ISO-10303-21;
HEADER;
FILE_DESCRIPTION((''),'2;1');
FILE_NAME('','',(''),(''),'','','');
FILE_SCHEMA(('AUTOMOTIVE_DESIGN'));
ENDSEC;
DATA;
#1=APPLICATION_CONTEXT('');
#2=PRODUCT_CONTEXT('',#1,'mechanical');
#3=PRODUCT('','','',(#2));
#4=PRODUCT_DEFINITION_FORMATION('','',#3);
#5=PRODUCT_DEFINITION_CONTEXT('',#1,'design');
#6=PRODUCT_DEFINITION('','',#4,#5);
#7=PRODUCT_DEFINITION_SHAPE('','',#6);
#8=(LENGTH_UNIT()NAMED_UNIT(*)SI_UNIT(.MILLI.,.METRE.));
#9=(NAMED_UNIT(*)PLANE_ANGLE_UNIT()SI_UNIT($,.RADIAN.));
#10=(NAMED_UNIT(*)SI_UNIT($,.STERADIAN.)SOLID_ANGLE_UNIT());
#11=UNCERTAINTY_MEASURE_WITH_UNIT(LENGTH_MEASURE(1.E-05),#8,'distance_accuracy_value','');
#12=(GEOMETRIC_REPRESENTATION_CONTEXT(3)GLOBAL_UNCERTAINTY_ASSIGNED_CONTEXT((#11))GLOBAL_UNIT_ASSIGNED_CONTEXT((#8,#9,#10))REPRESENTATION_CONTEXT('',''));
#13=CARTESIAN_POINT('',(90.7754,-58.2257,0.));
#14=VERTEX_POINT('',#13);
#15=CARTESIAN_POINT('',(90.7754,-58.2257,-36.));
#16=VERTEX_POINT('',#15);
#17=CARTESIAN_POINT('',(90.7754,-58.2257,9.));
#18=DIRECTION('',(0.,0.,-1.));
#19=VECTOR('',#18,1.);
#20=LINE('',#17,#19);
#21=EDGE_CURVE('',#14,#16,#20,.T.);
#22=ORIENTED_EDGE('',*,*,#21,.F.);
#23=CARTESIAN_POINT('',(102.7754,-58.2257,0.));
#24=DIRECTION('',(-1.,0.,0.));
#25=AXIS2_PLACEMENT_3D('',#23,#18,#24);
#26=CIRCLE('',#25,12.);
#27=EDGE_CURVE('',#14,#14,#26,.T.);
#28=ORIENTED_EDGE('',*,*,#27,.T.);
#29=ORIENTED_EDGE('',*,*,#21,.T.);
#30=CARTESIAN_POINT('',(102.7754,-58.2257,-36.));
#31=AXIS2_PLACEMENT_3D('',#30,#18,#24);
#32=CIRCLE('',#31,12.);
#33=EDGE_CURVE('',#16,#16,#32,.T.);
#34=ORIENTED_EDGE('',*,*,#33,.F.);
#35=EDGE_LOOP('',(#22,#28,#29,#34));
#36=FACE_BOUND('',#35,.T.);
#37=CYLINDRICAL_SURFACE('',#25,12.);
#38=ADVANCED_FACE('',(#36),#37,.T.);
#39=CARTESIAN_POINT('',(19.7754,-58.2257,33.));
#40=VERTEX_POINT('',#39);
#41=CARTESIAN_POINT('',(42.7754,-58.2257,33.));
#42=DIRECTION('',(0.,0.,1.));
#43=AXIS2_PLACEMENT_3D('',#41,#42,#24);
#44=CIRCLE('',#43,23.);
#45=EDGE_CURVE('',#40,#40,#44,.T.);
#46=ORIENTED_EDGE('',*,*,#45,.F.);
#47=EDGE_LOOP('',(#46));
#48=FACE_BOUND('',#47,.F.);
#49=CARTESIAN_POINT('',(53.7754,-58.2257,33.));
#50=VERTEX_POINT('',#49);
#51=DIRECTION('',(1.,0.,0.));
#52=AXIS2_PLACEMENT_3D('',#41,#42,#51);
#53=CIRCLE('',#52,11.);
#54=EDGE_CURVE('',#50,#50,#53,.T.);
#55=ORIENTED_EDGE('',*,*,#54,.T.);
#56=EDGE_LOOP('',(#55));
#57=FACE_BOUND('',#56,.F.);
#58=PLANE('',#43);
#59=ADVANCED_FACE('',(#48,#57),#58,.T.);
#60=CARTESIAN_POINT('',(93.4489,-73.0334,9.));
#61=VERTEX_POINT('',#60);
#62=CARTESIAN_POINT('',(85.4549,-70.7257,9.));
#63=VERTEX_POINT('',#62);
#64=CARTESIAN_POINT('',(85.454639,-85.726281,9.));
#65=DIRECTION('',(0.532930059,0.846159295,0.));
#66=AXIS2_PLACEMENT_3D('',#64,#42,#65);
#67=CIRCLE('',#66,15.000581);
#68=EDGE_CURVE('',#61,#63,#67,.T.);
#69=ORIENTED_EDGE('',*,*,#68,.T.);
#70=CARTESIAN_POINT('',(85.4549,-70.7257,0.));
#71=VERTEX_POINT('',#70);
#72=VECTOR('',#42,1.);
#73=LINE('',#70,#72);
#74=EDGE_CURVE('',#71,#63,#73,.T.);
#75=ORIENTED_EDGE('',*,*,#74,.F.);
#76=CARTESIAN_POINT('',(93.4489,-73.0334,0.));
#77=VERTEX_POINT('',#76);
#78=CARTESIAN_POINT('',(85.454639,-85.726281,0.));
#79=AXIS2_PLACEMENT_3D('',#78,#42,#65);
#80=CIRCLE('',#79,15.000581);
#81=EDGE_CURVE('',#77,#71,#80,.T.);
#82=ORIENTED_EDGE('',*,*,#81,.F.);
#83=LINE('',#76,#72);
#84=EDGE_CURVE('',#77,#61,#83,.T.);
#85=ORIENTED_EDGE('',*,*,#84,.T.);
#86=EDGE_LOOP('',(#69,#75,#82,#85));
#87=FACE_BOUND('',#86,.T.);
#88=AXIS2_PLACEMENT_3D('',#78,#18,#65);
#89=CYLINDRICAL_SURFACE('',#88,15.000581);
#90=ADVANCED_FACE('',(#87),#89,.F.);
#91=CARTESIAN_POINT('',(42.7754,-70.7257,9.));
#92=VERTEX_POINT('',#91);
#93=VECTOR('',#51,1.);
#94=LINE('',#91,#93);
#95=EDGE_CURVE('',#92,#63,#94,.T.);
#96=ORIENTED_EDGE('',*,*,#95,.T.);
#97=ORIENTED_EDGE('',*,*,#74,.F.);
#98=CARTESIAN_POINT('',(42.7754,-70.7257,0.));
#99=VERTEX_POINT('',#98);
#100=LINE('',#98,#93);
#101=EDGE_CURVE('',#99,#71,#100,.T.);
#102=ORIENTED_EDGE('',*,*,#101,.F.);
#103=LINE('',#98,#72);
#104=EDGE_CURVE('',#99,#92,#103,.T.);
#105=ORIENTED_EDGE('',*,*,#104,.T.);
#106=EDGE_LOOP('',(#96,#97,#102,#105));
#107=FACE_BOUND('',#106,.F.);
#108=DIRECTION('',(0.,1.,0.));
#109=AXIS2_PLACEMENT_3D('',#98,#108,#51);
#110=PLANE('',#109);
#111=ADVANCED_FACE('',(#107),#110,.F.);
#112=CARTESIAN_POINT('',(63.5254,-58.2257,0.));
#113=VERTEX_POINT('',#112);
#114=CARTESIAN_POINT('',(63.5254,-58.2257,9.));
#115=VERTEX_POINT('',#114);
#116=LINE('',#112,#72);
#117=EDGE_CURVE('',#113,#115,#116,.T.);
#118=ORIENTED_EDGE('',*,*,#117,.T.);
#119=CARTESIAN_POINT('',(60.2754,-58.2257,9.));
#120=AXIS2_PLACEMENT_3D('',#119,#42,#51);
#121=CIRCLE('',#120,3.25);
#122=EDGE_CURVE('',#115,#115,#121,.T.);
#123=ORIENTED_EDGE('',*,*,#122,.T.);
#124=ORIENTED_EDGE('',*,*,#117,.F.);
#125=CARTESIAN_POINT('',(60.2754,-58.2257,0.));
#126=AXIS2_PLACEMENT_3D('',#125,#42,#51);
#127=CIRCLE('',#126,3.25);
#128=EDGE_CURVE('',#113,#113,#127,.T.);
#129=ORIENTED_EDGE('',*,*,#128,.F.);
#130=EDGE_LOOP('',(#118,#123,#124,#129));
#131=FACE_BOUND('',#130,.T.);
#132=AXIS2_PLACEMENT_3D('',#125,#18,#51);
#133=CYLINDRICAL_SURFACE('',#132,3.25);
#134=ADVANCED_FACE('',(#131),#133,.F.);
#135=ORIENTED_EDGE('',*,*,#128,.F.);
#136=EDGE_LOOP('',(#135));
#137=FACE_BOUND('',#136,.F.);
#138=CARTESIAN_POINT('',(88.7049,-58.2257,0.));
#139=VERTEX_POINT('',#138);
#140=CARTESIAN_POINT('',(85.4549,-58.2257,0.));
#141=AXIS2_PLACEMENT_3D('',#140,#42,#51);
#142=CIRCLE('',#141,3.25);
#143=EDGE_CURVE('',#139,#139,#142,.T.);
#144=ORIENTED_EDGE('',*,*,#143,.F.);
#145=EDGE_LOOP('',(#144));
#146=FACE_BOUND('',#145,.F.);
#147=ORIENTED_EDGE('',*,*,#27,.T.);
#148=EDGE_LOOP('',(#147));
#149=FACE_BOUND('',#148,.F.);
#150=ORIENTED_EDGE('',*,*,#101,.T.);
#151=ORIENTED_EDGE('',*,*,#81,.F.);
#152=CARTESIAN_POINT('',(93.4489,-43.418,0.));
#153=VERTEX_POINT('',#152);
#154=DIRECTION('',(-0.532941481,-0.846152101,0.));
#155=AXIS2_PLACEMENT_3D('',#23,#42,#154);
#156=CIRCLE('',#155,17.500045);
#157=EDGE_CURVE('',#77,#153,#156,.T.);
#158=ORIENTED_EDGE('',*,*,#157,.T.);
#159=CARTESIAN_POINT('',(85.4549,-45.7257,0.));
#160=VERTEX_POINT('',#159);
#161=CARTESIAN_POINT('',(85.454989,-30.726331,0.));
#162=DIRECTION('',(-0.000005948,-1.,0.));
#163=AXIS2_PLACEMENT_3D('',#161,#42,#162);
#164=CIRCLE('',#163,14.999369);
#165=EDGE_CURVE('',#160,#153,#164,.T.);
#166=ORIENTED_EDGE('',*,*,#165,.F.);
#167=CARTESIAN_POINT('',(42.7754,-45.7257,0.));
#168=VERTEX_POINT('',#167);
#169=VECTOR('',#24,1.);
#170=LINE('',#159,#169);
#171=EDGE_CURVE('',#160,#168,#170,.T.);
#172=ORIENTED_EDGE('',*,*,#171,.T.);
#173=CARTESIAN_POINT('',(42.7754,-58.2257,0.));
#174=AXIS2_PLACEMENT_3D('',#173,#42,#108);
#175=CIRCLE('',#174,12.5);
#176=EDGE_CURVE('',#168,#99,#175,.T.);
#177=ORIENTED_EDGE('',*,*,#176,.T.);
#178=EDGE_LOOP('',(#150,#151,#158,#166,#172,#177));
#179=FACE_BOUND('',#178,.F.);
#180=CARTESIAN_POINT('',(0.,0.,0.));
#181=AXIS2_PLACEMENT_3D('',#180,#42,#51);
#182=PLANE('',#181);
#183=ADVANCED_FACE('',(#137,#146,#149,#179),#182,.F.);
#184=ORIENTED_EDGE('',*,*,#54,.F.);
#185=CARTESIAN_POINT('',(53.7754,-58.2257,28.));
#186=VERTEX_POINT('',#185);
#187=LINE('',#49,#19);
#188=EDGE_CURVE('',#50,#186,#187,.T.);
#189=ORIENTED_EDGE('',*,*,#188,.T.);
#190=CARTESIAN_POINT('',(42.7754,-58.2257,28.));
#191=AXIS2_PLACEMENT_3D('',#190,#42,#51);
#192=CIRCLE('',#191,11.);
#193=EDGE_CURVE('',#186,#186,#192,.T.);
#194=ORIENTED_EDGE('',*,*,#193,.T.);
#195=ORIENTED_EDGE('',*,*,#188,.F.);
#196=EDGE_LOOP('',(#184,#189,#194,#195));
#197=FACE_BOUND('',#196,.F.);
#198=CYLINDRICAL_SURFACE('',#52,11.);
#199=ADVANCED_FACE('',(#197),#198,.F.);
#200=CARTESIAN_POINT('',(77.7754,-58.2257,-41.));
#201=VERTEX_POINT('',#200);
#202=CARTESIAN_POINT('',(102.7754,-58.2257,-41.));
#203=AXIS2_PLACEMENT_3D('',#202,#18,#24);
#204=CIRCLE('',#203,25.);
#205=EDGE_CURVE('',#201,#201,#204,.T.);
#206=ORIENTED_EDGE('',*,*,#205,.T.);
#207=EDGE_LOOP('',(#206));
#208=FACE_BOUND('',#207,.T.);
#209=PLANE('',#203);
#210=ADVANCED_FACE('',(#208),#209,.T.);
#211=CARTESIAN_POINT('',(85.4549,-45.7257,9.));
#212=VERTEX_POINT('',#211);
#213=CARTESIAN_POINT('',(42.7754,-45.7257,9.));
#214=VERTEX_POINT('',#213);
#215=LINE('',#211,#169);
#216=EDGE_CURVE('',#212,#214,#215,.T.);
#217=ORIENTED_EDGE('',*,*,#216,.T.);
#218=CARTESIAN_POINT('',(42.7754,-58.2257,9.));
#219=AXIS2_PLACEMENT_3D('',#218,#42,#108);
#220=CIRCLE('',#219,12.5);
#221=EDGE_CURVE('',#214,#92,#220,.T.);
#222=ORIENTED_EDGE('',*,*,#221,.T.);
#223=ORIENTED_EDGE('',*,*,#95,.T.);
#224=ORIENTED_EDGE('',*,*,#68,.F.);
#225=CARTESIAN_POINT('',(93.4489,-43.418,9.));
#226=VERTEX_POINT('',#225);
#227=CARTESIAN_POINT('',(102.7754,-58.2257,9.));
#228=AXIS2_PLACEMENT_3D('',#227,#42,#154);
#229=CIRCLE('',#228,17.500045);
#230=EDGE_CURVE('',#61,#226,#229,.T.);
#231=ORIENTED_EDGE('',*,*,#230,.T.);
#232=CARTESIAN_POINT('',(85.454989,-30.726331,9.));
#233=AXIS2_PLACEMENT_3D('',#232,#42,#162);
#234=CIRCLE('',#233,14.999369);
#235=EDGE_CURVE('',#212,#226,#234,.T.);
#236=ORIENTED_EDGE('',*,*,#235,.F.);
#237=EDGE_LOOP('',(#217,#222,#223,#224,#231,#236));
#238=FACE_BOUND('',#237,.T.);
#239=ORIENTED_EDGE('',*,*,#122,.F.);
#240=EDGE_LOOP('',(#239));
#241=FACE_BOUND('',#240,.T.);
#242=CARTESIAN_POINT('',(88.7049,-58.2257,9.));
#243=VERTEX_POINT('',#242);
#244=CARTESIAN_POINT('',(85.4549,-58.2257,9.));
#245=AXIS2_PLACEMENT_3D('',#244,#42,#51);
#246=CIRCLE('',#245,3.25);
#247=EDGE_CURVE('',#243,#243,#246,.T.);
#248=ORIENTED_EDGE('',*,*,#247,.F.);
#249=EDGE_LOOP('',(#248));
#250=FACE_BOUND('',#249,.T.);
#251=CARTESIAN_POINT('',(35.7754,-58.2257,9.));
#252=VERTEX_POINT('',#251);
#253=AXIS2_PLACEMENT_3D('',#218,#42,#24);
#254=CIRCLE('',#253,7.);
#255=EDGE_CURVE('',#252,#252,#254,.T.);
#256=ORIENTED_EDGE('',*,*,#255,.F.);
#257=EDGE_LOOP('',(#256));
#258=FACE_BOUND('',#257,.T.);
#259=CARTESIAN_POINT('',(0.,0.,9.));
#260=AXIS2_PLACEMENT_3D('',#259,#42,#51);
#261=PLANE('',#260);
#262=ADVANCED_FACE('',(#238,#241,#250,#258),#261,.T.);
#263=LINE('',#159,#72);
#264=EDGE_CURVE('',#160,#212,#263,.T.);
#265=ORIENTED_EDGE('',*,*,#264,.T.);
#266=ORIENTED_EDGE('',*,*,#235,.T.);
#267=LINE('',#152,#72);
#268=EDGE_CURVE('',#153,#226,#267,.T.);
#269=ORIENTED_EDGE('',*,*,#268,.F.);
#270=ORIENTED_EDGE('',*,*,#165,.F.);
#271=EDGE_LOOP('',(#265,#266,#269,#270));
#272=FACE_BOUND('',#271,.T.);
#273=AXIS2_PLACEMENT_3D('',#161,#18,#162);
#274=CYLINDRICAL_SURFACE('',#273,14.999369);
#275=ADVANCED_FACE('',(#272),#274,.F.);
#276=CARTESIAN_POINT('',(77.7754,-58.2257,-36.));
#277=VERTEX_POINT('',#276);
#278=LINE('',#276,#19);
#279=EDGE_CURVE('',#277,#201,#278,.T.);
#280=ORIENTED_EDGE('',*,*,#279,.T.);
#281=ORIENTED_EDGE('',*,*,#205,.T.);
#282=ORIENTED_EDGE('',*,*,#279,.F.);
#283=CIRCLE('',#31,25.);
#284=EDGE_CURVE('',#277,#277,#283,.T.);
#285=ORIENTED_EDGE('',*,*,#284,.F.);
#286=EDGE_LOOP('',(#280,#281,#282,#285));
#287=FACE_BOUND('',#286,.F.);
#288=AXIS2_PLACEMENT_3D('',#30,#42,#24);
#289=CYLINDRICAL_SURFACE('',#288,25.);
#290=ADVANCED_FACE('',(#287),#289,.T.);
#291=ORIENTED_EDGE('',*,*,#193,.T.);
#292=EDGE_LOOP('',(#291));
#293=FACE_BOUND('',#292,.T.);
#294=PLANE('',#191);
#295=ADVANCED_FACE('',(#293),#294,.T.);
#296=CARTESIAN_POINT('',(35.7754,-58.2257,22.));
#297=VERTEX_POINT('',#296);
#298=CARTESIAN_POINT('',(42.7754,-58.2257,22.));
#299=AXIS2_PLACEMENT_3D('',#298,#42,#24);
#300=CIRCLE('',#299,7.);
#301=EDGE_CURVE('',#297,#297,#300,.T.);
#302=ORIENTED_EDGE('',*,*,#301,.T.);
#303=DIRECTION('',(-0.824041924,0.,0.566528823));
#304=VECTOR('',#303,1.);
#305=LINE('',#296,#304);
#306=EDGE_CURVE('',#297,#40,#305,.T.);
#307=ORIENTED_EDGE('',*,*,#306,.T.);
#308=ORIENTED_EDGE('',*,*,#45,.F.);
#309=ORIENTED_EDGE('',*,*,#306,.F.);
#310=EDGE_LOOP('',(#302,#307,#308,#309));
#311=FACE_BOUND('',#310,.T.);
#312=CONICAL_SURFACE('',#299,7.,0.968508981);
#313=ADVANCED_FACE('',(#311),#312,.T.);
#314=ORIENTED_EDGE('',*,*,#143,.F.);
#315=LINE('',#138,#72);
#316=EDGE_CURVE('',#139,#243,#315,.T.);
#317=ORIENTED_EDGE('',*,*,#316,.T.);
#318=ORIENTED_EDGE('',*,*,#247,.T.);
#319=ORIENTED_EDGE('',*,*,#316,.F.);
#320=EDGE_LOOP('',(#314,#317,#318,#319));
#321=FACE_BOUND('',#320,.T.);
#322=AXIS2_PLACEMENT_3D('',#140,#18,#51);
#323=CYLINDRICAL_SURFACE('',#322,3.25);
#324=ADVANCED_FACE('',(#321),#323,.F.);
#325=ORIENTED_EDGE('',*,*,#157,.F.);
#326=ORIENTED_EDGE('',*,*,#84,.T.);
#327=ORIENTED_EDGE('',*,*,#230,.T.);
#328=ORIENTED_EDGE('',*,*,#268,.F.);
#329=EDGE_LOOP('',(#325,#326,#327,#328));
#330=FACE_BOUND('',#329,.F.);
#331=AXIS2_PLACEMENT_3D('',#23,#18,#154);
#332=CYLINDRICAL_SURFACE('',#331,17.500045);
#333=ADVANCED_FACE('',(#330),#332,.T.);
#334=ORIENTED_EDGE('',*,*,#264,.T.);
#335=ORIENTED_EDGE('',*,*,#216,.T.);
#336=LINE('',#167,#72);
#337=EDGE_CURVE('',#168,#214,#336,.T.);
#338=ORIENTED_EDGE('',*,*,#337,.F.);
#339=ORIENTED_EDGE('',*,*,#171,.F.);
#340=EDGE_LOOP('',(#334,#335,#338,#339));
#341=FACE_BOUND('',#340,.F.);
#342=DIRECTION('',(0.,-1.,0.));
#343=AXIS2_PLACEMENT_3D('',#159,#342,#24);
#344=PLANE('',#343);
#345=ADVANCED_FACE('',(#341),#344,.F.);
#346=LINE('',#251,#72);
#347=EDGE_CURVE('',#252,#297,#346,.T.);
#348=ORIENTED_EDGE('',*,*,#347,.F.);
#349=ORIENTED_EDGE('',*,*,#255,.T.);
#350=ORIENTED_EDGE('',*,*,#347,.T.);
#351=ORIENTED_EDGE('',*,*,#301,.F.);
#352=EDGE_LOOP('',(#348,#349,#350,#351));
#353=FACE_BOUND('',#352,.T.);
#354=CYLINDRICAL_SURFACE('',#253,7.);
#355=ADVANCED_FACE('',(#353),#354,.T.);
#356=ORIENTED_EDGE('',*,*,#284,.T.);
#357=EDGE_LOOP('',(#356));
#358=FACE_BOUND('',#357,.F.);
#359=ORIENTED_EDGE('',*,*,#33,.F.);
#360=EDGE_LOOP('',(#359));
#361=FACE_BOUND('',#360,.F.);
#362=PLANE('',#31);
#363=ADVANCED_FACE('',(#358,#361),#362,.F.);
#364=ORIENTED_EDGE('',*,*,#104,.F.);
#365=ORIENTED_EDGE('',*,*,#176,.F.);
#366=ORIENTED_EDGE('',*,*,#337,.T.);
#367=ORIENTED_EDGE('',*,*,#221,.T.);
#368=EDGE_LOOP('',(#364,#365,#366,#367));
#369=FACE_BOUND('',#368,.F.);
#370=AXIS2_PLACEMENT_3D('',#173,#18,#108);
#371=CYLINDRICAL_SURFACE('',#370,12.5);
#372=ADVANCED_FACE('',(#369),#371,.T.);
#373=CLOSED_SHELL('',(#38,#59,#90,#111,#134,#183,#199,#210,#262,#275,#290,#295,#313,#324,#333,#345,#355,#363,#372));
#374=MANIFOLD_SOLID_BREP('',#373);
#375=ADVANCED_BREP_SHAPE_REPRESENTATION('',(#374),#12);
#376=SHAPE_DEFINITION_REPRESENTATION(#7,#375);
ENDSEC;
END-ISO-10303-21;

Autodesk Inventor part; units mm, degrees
sketch "Boceto1" plane through (0, 0, 0) normal (0, 0, 1) x (1, 0, 0)
  line L0 (85.4549, -45.7257) -> (42.7754, -45.7257)
  line L1 (42.7754, -70.7257) -> (85.4549, -70.7257)
  arc A0 (42.7754, -45.7257) -> (42.7754, -70.7257) centre (42.7754, -58.2257) ccw
  arc A1 (93.4489, -73.0334) -> (93.4489, -43.418) centre (102.7754, -58.2257) ccw
  arc A2 (85.4549, -45.7257) -> (93.4489, -43.418) centre (85.4549, -30.7257) ccw
  arc A3 (93.4489, -73.0334) -> (85.4549, -70.7257) centre (85.4549, -85.7257) ccw
  circle A4 centre (102.7754, -58.2257) radius 8.1
  circle A5 centre (60.2754, -58.2257) radius 3.25
  circle A6 centre (85.4549, -58.2257) radius 3.25
  line L2 (-16.3205, 1) -> (-59, 1)
  line L3 (-59, -24) -> (-16.3205, -24)
  arc A7 (-59, 1) -> (-59, -24) centre (-59, -11.5) ccw
  line L4 (-59, -21.6036) -> (-67.75, -16.5518)
  line L5 (-67.75, -16.5518) -> (-67.75, -6.4482)
  line L6 (-67.75, -6.4482) -> (-59, -1.3964)
  line L7 (-59, -1.3964) -> (-50.25, -6.4482)
  line L8 (-50.25, -6.4482) -> (-50.25, -16.5518)
  line L9 (-50.25, -16.5518) -> (-59, -21.6036)
  arc A8 (-8.3264, -26.3077) -> (-8.3264, 3.3077) centre (1, -11.5) ccw
  arc A9 (-16.3205, 1) -> (-8.3264, 3.3077) centre (-16.3205, 16) ccw
  arc A10 (-8.3264, -26.3077) -> (-16.3205, -24) centre (-16.3205, -39) ccw
  circle A11 centre (1, -11.5) radius 8.1
  circle A12 centre (-41.5, -11.5) radius 3.25
  circle A13 centre (-16.3205, -11.5) radius 3.25
  line L10 (85.6004, 1.2855) -> (42.9209, 1.2855)
  line L11 (42.9209, -23.7145) -> (85.6004, -23.7145)
  arc A14 (42.9209, 1.2855) -> (42.9209, -23.7145) centre (42.9209, -11.2145) ccw
  line L12 (42.9209, -21.3181) -> (34.1709, -16.2663)
  line L13 (34.1709, -16.2663) -> (34.1709, -6.1627)
  line L14 (34.1709, -6.1627) -> (42.9209, -1.1109)
  line L15 (42.9209, -1.1109) -> (51.6709, -6.1627)
  line L16 (51.6709, -6.1627) -> (51.6709, -16.2663)
  line L17 (51.6709, -16.2663) -> (42.9209, -21.3181)
  arc A15 (93.5944, -26.0222) -> (93.5944, 3.5932) centre (102.9209, -11.2145) ccw
  arc A16 (85.6004, 1.2855) -> (93.5944, 3.5932) centre (85.6004, 16.2855) ccw
  arc A17 (93.5944, -26.0222) -> (85.6004, -23.7145) centre (85.6004, -38.7145) ccw
  circle A18 centre (102.9209, -11.2145) radius 8.1
  circle A19 centre (60.4209, -11.2145) radius 3.25
  circle A20 centre (85.6004, -11.2145) radius 3.25
  circle A21 centre (42.7754, -58.2257) radius 7
  line L18 (-15.6185, -45.6026) -> (-58.298, -45.6026)
  line L19 (-58.298, -70.6026) -> (-15.6185, -70.6026)
  arc A22 (-58.298, -45.6026) -> (-58.298, -70.6026) centre (-58.298, -58.1026) ccw
  arc A23 (-7.6244, -72.9103) -> (-7.6244, -43.2949) centre (1.702, -58.1026) ccw
  arc A24 (-15.6185, -45.6026) -> (-7.6244, -43.2949) centre (-15.6185, -30.6026) ccw
  arc A25 (-7.6244, -72.9103) -> (-15.6185, -70.6026) centre (-15.6185, -85.6026) ccw
  circle A26 centre (1.702, -58.1026) radius 8.1
  circle A27 centre (-40.798, -58.1026) radius 3.25
  circle A28 centre (-15.6185, -58.1026) radius 3.25
  circle A29 centre (-58.298, -58.1026) radius 7
  point P0 (90.5279, -45.7257)
  point P1 (90.5279, -70.7257)
  point P2 (-11.2474, 1)
  point P3 (-11.2474, -24)
  point P4 (90.6734, 1.2855)
  point P5 (90.6734, -23.7145)
  point P6 (-10.5454, -45.6026)
  point P7 (-10.5454, -70.6026)
extrude "Extrusión1" add sketch "Boceto1" along normal blind 9 contours A2 A1 A3 L1 A0 L0
sketch "Boceto2" plane through (0, 0, 0) normal (0, 0, -1) x (-1, 0, 0)
  circle A0 centre (-102.7754, -58.2257) radius 8.1 projected
  circle A1 centre (-102.7754, -58.2257) radius 12
  point P0 (0, 0)
  dimension "d13" = 24
extrude "Extrusión2" add sketch "Boceto2" along normal blind 36 and the other way blind 9 contours A0 | A1
sketch "Boceto3" plane through (102.7754, -58.2257, -36) normal (0, 0, -1) x (-1, 0, 0)
  circle A0 centre (0, 0) radius 25
  point P0 (102.7754, 58.2257)
  dimension "d16" = 50
extrude "Extrusión3" add sketch "Boceto3" along normal blind 5
ref_plane "Plano de trabajo1" through (42.7754, -58.2257, 0) normal (0, -1, 0) x (1, 0, 0)
sketch "Boceto7" plane through (42.7754, -58.2257, 0) normal (0, -1, 0) x (1, 0, 0)
  line L0 (-7, 0) -> (7, 0) projected
  line L1 (7, 9) -> (7, 0) projected
  line L2 (-7, 0) -> (7, 0)
  line L3 (7, 0) -> (7, 9)
  line L4 (-7, 9) -> (-7, 0)
  line L5 (-7, 9) -> (-7, 22)
  line L6 (7, 22) -> (7, 9)
  line L7 (23, 33) -> (-23, 33)
  line L8 (7, 22) -> (23, 33)
  line L9 (-7, 22) -> (-23, 33)
  line L10 (0, -1.9215) -> (0, 41.7304)
  point P0 (-42.7754, 0)
  point P1 (0, 9)
  point P2 (0, 0)
  point P3 (0, 33)
  dimension "d23" = 14
  dimension "d24" = 13
  dimension "d38" = 46
  dimension "d39" = 11
revolve "Revolución1" add sketch "Boceto7" angle 360 about axis through (42.7754, -58.2257, -1.9215) along (0, 0, 1) contours L4 L5 L9 L7 L10 L0
sketch "Boceto8" plane through (42.7754, -58.2257, 33) normal (0, 0, 1) x (1, 0, 0)
  circle A0 centre (0, 0) radius 11
  point P0 (-42.7754, 58.2257)
  dimension "d29" = 22
extrude "Extrusión5" cut sketch "Boceto8" against normal blind 5
properties part number "Herramienta1"
